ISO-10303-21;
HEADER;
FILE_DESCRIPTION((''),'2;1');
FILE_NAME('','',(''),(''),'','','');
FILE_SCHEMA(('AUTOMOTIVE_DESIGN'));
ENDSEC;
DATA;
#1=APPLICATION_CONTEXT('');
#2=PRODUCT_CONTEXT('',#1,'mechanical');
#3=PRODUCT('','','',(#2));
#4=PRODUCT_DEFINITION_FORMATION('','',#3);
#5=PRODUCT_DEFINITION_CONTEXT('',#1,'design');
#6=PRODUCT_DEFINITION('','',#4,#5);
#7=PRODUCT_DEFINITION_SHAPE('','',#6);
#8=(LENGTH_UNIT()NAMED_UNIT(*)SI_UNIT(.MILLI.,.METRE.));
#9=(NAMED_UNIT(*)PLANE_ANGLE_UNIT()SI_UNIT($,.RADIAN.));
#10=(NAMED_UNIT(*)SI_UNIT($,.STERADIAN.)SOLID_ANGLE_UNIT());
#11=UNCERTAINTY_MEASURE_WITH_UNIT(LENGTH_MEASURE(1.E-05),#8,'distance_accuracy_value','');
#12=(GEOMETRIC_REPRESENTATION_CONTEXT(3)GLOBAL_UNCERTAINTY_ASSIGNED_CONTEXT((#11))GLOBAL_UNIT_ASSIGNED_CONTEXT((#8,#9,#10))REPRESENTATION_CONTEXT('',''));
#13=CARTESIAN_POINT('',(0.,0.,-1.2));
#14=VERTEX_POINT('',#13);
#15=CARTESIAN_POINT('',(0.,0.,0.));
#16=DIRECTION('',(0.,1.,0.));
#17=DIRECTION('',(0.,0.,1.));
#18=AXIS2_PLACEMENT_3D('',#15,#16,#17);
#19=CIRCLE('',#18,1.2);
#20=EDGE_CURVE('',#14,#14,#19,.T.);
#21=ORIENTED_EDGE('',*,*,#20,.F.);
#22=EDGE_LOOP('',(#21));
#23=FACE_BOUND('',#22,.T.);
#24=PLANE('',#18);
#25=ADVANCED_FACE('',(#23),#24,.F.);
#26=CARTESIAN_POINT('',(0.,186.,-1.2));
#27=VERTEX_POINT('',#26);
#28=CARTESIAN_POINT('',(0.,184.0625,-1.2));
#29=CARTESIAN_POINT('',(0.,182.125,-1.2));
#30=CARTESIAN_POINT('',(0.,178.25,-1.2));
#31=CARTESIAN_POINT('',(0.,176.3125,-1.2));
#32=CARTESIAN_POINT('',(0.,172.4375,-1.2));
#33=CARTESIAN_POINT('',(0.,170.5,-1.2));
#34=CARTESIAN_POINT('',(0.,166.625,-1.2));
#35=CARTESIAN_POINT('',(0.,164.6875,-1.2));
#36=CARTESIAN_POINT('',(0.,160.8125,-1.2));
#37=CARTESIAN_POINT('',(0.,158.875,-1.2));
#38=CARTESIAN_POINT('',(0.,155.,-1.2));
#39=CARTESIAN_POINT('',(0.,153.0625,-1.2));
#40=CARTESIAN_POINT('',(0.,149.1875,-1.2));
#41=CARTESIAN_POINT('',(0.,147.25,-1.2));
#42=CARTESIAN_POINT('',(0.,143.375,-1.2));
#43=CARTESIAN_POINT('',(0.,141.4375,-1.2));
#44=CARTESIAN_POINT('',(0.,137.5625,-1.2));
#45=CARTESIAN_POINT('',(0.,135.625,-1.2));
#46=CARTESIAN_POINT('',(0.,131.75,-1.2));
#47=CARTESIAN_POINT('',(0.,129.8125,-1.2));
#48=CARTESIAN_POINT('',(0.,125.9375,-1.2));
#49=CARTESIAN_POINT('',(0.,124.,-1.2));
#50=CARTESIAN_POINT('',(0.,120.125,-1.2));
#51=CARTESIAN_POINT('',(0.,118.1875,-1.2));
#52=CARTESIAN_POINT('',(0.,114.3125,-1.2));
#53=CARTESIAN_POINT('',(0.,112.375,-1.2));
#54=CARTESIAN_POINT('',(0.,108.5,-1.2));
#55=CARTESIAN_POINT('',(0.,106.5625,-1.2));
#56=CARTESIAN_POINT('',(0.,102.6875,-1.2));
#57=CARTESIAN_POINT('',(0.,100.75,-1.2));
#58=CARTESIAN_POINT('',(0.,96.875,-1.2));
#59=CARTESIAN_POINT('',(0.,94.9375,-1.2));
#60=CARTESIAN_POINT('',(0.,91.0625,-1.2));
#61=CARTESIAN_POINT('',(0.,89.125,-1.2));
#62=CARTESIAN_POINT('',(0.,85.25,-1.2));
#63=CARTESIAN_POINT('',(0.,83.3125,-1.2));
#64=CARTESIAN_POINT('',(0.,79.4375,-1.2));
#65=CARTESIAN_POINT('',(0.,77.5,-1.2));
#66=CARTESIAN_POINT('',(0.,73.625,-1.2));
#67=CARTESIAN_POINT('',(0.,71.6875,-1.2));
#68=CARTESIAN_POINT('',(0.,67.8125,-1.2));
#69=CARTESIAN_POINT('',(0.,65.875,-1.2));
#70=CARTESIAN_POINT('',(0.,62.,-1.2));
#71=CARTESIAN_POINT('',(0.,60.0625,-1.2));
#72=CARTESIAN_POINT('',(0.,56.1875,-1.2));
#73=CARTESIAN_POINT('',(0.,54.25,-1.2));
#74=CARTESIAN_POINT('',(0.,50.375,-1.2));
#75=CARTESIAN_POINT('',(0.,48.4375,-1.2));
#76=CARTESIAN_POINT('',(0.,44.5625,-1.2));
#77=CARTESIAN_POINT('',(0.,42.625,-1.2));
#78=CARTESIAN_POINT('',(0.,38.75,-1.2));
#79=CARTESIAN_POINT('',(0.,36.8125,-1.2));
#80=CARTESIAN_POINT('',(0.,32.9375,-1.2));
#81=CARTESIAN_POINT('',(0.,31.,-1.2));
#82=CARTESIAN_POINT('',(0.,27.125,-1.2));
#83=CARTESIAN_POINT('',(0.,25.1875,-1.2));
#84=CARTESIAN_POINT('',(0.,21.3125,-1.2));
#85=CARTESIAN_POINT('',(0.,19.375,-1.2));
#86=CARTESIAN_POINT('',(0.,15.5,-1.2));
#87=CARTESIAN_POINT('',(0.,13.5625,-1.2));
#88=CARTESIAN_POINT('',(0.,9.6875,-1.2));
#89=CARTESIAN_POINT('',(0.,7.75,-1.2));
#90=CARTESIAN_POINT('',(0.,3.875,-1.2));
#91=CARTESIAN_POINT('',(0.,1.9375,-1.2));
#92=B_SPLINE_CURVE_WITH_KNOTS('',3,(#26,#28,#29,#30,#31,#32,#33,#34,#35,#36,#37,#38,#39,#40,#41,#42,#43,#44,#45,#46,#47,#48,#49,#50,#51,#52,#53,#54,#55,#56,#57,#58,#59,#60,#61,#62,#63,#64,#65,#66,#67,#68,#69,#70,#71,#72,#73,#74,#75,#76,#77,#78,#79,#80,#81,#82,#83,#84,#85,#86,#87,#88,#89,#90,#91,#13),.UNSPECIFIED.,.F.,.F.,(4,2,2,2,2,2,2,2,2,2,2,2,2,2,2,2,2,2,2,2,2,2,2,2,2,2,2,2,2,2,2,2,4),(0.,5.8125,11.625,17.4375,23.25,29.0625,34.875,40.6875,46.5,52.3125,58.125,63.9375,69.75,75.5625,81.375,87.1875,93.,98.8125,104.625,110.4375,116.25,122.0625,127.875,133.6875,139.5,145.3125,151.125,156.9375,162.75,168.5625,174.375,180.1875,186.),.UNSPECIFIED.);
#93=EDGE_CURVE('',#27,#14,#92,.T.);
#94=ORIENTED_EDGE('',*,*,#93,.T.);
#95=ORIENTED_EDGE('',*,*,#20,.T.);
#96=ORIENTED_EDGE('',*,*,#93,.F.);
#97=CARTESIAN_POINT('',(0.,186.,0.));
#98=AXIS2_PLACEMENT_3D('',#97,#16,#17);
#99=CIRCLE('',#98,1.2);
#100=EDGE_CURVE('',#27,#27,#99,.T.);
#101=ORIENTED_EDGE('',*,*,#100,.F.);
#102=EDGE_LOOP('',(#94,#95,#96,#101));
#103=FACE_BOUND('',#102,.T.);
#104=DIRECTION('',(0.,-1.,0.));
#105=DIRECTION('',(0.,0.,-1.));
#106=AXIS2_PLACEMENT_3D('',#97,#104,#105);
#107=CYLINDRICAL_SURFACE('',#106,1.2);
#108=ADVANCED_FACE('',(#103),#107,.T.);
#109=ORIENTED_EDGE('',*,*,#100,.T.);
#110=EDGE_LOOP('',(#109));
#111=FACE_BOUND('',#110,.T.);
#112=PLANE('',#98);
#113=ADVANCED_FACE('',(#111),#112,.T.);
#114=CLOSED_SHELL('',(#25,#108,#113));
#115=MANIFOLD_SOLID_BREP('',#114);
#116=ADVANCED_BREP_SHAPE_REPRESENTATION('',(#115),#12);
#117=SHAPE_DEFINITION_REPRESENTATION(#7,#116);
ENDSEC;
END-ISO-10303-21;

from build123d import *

# Parameters (mm, degrees)
SKETCH_1_R      = 1.2
EXTRUDE_1_DEPTH = 186


with BuildPart() as part:
    # 草图1 → 凸台-拉伸1 (new body)
    with BuildSketch(Plane(origin=(0, 0, 0), x_dir=(1, 0, 0), z_dir=(0, 1, 0))):
        with Locations(Location((0, 0, 0), (0, 0, 90))):
            Circle(SKETCH_1_R)
    extrude(amount=EXTRUDE_1_DEPTH)


solid = part.part
